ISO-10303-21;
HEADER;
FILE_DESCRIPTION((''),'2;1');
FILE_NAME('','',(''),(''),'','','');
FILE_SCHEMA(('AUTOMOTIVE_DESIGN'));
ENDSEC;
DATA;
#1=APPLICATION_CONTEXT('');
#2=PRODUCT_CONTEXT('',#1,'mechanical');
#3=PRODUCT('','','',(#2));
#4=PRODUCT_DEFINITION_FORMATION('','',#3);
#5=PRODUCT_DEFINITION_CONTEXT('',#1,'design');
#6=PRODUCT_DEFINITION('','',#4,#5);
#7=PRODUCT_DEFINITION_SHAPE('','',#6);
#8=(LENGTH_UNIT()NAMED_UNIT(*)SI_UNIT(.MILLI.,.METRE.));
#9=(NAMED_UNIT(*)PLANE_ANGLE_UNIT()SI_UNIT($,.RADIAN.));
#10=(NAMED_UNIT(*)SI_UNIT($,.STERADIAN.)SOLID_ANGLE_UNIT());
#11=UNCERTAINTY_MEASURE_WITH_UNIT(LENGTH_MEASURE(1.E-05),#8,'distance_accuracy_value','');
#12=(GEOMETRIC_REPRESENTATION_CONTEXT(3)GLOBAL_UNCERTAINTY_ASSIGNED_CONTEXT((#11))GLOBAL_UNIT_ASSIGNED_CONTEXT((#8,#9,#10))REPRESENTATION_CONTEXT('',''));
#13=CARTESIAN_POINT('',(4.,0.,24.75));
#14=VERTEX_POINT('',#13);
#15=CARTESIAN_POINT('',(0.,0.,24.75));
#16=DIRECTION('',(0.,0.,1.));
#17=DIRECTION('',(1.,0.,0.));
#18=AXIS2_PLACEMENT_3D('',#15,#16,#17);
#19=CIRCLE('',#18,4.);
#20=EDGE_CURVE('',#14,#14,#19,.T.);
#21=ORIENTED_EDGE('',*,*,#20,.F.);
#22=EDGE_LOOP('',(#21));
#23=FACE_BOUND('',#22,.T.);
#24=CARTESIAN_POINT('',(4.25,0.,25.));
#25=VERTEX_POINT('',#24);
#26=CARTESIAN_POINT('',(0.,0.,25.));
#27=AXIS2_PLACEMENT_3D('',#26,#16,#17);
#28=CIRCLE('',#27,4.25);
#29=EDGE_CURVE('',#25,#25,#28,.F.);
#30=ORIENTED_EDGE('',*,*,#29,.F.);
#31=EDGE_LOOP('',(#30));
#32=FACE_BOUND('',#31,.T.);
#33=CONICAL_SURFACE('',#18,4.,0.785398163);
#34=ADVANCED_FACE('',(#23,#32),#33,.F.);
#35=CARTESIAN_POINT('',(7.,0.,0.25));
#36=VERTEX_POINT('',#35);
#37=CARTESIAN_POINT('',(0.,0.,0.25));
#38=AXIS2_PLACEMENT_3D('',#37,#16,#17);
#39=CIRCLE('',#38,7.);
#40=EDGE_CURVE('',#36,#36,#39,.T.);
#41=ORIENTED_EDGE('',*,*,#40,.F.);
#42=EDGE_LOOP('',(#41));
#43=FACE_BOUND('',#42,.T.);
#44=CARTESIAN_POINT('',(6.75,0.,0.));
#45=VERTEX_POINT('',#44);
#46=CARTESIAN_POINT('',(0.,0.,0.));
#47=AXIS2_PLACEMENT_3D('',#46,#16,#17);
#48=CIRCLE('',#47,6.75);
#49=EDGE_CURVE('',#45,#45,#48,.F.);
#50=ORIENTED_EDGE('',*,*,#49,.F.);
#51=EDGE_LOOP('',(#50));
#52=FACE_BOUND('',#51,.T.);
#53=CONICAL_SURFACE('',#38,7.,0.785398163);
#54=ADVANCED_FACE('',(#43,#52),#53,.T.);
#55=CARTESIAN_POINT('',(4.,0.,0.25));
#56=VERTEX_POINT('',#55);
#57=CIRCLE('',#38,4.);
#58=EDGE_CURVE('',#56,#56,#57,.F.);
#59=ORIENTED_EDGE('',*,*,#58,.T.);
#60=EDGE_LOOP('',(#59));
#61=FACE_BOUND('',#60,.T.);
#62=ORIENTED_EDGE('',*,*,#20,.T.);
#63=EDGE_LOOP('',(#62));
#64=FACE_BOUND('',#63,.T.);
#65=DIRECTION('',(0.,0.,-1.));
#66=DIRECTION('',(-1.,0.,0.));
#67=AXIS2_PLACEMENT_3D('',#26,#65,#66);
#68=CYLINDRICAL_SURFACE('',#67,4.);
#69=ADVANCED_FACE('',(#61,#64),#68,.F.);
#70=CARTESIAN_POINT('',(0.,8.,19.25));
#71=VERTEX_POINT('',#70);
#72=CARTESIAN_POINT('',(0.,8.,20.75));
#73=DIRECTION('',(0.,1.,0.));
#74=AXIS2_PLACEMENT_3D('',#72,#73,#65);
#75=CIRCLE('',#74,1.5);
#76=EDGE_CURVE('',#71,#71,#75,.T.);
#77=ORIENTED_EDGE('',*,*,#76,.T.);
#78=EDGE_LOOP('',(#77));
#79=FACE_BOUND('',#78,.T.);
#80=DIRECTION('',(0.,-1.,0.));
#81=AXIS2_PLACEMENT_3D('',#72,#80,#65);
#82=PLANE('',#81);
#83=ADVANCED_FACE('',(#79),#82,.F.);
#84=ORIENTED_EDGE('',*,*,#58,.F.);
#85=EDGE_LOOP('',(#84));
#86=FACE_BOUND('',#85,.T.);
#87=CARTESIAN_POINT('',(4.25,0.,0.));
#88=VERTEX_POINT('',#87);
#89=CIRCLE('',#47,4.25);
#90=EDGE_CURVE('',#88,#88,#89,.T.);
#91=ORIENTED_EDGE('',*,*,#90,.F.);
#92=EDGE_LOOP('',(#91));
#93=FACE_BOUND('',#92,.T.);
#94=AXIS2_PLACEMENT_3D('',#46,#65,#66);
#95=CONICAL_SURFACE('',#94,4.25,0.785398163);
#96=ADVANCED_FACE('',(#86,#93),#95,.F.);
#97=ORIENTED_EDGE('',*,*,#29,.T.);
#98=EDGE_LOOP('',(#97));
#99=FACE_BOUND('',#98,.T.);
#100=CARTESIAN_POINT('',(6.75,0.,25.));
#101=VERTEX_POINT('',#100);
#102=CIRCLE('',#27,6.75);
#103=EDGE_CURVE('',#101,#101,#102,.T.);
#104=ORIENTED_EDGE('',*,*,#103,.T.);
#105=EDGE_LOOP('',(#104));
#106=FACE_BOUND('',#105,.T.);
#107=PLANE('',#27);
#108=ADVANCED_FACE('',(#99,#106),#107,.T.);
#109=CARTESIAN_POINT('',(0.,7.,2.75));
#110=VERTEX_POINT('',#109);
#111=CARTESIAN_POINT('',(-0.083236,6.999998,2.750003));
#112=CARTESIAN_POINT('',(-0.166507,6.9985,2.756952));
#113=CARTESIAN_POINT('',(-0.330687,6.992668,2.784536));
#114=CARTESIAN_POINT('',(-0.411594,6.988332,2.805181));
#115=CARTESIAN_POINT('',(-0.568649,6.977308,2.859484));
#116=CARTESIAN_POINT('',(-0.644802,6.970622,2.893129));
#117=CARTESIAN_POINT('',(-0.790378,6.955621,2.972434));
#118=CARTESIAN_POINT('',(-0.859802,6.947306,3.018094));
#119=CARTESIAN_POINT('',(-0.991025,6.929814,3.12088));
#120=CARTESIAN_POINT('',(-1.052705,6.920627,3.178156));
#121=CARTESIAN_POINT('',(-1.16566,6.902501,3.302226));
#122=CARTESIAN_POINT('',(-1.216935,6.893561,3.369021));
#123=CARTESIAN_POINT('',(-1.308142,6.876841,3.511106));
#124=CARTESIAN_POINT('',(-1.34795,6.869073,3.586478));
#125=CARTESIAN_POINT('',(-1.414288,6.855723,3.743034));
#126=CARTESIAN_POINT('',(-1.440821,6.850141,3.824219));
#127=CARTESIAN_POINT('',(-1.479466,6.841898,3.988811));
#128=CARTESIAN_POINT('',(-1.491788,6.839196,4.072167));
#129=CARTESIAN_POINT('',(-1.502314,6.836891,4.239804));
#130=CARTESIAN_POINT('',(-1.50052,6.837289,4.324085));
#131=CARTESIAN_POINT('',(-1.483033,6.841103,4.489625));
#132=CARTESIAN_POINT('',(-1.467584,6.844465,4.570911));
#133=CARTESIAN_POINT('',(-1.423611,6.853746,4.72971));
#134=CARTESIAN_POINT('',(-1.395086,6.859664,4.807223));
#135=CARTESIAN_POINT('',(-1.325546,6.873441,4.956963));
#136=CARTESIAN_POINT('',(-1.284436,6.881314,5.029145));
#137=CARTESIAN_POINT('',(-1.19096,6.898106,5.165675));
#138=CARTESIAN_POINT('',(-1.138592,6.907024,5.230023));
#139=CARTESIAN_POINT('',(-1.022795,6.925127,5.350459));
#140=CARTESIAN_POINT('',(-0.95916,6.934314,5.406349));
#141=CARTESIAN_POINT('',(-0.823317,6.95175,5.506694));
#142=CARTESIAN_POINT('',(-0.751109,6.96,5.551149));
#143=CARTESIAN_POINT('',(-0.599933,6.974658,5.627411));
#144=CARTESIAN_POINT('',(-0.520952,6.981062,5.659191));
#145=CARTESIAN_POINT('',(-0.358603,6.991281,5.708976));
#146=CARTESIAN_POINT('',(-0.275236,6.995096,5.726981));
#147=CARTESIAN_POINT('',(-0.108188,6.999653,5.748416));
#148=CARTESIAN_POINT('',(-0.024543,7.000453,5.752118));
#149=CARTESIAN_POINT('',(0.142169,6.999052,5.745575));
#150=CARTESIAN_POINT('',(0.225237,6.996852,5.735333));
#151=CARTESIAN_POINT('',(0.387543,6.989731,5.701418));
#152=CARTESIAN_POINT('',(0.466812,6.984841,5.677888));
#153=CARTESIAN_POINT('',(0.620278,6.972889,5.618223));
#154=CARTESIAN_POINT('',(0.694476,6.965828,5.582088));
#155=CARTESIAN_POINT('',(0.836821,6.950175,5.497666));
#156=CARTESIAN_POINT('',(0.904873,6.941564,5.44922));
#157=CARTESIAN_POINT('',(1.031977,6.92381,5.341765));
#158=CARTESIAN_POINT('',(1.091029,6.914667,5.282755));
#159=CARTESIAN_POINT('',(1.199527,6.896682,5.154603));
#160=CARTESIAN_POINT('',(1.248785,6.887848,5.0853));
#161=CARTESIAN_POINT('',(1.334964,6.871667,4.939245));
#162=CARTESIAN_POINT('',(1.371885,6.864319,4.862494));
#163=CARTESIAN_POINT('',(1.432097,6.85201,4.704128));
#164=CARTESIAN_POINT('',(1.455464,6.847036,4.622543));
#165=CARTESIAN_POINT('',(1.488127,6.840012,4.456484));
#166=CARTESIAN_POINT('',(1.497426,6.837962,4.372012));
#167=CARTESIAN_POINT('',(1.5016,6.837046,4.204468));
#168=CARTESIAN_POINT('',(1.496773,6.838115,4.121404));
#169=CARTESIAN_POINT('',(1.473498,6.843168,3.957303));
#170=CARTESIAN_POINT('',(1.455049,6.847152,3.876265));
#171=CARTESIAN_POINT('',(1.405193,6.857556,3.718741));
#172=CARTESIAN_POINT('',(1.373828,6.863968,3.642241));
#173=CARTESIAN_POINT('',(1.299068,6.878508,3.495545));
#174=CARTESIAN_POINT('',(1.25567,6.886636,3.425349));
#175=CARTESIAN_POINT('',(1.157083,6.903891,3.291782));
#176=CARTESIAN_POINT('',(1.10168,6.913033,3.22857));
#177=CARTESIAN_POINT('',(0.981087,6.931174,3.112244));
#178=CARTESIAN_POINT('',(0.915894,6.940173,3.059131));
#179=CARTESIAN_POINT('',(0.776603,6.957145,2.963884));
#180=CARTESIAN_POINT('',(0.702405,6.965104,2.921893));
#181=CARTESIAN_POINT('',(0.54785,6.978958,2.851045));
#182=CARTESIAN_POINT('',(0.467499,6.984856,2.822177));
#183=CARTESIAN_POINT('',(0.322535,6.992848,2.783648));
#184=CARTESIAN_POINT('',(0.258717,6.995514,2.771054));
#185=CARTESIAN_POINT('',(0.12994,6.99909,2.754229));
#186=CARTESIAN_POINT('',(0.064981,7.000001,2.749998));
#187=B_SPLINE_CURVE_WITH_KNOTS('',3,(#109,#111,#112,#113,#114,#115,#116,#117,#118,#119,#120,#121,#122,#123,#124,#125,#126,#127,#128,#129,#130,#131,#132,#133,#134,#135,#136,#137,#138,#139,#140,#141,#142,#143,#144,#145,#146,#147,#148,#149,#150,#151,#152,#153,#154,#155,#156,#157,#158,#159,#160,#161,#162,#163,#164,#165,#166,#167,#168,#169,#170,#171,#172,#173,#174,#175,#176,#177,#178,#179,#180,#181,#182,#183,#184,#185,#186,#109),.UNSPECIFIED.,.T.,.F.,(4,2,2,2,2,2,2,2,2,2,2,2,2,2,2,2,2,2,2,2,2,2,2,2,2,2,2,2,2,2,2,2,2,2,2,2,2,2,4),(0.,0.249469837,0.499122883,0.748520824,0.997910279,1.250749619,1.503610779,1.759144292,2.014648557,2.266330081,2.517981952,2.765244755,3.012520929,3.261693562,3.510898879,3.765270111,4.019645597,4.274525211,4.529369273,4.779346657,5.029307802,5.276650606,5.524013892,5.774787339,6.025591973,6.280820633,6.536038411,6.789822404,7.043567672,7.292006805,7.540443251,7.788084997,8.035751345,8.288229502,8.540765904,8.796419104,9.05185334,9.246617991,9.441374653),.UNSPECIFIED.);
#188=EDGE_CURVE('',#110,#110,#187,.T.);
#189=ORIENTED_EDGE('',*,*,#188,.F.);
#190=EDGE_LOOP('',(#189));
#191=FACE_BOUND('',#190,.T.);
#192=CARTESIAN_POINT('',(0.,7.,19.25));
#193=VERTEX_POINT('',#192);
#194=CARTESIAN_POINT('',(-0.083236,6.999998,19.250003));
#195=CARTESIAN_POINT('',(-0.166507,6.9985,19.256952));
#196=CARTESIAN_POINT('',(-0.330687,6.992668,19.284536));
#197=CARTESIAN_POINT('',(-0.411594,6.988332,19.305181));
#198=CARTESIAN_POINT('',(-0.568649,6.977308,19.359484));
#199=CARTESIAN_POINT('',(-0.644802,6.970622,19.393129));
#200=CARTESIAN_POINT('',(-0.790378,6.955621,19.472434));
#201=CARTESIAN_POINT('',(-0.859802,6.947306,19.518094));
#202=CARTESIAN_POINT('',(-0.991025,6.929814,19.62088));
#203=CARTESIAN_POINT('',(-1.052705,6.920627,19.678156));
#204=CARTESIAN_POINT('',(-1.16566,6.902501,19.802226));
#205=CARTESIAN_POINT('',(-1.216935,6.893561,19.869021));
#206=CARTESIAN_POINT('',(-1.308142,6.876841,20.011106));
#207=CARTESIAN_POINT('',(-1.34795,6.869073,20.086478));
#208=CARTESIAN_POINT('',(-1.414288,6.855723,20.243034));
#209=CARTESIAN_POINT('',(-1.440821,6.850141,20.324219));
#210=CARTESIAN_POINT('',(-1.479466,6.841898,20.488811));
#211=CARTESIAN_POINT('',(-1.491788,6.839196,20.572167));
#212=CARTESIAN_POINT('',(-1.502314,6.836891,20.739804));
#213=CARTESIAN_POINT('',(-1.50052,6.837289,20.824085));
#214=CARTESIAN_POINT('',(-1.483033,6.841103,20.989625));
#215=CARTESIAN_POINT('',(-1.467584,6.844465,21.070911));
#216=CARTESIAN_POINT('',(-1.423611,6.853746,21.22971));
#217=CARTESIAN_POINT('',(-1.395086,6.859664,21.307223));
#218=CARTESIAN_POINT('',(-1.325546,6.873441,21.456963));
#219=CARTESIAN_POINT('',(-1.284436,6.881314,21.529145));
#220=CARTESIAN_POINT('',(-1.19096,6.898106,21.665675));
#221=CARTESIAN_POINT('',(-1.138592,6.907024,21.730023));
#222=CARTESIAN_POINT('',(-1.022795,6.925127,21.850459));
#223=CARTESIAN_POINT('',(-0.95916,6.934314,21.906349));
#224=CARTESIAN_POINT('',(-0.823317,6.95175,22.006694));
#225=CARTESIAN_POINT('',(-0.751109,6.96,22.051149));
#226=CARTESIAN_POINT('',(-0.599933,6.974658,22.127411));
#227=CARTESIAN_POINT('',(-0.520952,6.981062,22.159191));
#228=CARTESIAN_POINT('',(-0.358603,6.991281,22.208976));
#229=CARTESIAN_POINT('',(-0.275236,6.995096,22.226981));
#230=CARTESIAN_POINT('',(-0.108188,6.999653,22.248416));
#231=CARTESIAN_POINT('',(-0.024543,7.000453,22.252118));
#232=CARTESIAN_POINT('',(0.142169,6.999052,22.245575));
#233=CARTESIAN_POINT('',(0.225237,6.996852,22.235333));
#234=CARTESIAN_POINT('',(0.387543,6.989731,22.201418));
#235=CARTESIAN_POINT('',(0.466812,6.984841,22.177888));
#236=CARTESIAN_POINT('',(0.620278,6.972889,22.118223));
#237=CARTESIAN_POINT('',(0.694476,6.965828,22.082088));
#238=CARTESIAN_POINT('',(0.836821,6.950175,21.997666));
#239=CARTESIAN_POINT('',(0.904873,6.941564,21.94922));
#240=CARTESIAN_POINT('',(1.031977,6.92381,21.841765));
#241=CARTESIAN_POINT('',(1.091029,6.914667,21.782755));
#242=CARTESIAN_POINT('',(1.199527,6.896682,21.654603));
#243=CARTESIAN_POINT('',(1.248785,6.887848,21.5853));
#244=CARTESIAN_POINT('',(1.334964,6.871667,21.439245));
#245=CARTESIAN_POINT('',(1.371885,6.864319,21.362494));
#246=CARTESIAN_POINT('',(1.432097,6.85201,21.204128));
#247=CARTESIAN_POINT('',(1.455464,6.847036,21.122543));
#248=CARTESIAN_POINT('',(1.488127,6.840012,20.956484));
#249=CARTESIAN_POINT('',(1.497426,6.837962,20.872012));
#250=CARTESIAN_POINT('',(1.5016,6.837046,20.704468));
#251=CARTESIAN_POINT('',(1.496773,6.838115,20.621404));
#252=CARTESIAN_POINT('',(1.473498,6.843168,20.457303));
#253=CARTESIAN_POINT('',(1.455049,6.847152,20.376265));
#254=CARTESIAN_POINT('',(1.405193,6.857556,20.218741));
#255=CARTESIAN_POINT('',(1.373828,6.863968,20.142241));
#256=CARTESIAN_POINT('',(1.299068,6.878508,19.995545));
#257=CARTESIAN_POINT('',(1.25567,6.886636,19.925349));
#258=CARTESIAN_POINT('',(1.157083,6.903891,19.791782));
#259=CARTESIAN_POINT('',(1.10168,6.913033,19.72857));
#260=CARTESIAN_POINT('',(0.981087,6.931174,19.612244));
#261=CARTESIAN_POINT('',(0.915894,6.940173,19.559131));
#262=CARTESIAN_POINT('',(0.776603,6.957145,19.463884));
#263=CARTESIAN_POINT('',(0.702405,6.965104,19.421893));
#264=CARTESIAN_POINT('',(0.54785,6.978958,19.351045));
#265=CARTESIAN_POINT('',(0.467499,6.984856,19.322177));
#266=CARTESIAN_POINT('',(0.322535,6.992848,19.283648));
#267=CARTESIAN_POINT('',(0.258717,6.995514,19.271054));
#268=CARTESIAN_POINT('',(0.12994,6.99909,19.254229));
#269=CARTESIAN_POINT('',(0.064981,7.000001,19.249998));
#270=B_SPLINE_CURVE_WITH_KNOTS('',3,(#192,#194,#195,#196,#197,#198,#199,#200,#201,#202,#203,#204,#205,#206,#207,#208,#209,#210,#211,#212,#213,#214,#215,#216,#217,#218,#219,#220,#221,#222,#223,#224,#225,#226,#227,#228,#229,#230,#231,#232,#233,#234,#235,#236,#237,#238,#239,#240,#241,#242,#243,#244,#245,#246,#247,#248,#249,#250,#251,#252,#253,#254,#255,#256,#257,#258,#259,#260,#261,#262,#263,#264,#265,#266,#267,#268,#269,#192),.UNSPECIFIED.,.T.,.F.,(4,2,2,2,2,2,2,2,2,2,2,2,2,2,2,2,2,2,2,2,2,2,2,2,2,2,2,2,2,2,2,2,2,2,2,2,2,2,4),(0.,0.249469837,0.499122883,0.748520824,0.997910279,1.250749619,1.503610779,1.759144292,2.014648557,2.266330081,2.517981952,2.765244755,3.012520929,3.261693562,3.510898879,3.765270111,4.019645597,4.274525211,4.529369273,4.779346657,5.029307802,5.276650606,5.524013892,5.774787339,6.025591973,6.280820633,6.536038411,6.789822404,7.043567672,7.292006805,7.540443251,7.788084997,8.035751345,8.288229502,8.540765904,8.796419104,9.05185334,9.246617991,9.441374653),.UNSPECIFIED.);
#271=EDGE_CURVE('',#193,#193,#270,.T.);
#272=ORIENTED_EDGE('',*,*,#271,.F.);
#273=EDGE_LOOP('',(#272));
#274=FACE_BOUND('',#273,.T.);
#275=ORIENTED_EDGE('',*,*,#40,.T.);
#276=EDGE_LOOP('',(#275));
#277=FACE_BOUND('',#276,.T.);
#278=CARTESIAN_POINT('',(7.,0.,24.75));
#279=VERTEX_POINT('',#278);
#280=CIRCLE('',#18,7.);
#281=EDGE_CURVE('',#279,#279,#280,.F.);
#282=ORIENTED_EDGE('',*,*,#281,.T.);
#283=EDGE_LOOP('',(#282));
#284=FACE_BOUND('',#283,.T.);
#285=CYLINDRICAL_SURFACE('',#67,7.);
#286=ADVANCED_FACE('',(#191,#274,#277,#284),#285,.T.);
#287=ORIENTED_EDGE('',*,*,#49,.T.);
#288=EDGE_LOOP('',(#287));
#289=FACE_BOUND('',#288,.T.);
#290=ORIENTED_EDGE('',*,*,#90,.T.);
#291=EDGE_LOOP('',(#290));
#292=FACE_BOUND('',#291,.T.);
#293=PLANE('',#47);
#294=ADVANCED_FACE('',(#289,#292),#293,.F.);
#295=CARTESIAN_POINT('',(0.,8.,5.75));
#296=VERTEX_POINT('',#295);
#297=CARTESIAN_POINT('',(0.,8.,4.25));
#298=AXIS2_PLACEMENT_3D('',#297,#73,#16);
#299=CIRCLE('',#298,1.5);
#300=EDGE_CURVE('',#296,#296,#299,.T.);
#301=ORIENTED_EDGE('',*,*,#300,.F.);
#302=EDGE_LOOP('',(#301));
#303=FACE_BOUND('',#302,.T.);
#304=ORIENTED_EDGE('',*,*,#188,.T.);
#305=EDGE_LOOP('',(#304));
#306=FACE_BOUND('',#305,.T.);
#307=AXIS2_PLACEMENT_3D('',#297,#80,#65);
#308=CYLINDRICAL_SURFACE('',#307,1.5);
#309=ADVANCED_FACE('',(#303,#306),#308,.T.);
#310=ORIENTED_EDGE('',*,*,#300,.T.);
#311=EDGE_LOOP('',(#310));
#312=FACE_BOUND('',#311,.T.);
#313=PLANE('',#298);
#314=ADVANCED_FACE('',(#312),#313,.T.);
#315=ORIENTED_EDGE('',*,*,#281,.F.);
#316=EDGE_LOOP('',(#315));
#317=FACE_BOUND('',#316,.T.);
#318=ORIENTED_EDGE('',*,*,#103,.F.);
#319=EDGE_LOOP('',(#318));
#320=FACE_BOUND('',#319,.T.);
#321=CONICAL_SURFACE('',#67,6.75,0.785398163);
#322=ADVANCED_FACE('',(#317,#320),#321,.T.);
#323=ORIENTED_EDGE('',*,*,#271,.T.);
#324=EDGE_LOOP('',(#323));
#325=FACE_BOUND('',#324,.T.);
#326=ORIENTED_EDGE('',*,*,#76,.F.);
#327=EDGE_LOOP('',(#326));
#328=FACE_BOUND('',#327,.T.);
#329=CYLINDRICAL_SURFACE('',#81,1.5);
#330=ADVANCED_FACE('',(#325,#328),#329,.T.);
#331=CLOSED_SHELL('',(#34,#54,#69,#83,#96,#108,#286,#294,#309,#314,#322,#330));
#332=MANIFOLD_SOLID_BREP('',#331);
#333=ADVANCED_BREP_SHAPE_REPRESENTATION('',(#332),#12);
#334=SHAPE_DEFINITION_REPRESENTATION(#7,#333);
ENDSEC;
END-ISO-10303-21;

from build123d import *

# Parameters (mm, degrees)
ESQUISSE1_R        = 7
ESQUISSE1_R_2      = 4
BOSS_EXTRU_1_DEPTH = 25
CHANFREIN1_SIZE    = 0.25
BOSS_EXTRU_2_START = 5
ESQUISSE2_R        = 1.5
BOSS_EXTRU_2_DEPTH = 3


with BuildPart() as part:
    # Esquisse1 → Boss.-Extru.1 (new body)
    with BuildSketch(Plane.XY):
        Circle(ESQUISSE1_R)
        Circle(ESQUISSE1_R_2, mode=Mode.SUBTRACT)
    extrude(amount=BOSS_EXTRU_1_DEPTH)

    # Chanfrein1
    chanfrein1_edges = [part.edges().sort_by_distance(p)[0] for p in [
        (-7, 0, 0),
        (-7, 0, 25),
        (-4, 0, 0),
        (-4, 0, 25),
    ]]
    chamfer(chanfrein1_edges, length=CHANFREIN1_SIZE)

    # Esquisse2 → Boss.-Extru.2 (add)
    with BuildSketch(Plane(origin=(0, 0, 0), x_dir=(1, 0, 0), z_dir=(0, 1, 0)).offset(BOSS_EXTRU_2_START)):
        with Locations(Location((0, -4.25, 0), (0, 0, 90))):
            Circle(ESQUISSE2_R)
        with Locations(Location((0, -20.75, 0), (0, 0, 90))):
            Circle(ESQUISSE2_R)
    extrude(amount=BOSS_EXTRU_2_DEPTH)


solid = part.part
